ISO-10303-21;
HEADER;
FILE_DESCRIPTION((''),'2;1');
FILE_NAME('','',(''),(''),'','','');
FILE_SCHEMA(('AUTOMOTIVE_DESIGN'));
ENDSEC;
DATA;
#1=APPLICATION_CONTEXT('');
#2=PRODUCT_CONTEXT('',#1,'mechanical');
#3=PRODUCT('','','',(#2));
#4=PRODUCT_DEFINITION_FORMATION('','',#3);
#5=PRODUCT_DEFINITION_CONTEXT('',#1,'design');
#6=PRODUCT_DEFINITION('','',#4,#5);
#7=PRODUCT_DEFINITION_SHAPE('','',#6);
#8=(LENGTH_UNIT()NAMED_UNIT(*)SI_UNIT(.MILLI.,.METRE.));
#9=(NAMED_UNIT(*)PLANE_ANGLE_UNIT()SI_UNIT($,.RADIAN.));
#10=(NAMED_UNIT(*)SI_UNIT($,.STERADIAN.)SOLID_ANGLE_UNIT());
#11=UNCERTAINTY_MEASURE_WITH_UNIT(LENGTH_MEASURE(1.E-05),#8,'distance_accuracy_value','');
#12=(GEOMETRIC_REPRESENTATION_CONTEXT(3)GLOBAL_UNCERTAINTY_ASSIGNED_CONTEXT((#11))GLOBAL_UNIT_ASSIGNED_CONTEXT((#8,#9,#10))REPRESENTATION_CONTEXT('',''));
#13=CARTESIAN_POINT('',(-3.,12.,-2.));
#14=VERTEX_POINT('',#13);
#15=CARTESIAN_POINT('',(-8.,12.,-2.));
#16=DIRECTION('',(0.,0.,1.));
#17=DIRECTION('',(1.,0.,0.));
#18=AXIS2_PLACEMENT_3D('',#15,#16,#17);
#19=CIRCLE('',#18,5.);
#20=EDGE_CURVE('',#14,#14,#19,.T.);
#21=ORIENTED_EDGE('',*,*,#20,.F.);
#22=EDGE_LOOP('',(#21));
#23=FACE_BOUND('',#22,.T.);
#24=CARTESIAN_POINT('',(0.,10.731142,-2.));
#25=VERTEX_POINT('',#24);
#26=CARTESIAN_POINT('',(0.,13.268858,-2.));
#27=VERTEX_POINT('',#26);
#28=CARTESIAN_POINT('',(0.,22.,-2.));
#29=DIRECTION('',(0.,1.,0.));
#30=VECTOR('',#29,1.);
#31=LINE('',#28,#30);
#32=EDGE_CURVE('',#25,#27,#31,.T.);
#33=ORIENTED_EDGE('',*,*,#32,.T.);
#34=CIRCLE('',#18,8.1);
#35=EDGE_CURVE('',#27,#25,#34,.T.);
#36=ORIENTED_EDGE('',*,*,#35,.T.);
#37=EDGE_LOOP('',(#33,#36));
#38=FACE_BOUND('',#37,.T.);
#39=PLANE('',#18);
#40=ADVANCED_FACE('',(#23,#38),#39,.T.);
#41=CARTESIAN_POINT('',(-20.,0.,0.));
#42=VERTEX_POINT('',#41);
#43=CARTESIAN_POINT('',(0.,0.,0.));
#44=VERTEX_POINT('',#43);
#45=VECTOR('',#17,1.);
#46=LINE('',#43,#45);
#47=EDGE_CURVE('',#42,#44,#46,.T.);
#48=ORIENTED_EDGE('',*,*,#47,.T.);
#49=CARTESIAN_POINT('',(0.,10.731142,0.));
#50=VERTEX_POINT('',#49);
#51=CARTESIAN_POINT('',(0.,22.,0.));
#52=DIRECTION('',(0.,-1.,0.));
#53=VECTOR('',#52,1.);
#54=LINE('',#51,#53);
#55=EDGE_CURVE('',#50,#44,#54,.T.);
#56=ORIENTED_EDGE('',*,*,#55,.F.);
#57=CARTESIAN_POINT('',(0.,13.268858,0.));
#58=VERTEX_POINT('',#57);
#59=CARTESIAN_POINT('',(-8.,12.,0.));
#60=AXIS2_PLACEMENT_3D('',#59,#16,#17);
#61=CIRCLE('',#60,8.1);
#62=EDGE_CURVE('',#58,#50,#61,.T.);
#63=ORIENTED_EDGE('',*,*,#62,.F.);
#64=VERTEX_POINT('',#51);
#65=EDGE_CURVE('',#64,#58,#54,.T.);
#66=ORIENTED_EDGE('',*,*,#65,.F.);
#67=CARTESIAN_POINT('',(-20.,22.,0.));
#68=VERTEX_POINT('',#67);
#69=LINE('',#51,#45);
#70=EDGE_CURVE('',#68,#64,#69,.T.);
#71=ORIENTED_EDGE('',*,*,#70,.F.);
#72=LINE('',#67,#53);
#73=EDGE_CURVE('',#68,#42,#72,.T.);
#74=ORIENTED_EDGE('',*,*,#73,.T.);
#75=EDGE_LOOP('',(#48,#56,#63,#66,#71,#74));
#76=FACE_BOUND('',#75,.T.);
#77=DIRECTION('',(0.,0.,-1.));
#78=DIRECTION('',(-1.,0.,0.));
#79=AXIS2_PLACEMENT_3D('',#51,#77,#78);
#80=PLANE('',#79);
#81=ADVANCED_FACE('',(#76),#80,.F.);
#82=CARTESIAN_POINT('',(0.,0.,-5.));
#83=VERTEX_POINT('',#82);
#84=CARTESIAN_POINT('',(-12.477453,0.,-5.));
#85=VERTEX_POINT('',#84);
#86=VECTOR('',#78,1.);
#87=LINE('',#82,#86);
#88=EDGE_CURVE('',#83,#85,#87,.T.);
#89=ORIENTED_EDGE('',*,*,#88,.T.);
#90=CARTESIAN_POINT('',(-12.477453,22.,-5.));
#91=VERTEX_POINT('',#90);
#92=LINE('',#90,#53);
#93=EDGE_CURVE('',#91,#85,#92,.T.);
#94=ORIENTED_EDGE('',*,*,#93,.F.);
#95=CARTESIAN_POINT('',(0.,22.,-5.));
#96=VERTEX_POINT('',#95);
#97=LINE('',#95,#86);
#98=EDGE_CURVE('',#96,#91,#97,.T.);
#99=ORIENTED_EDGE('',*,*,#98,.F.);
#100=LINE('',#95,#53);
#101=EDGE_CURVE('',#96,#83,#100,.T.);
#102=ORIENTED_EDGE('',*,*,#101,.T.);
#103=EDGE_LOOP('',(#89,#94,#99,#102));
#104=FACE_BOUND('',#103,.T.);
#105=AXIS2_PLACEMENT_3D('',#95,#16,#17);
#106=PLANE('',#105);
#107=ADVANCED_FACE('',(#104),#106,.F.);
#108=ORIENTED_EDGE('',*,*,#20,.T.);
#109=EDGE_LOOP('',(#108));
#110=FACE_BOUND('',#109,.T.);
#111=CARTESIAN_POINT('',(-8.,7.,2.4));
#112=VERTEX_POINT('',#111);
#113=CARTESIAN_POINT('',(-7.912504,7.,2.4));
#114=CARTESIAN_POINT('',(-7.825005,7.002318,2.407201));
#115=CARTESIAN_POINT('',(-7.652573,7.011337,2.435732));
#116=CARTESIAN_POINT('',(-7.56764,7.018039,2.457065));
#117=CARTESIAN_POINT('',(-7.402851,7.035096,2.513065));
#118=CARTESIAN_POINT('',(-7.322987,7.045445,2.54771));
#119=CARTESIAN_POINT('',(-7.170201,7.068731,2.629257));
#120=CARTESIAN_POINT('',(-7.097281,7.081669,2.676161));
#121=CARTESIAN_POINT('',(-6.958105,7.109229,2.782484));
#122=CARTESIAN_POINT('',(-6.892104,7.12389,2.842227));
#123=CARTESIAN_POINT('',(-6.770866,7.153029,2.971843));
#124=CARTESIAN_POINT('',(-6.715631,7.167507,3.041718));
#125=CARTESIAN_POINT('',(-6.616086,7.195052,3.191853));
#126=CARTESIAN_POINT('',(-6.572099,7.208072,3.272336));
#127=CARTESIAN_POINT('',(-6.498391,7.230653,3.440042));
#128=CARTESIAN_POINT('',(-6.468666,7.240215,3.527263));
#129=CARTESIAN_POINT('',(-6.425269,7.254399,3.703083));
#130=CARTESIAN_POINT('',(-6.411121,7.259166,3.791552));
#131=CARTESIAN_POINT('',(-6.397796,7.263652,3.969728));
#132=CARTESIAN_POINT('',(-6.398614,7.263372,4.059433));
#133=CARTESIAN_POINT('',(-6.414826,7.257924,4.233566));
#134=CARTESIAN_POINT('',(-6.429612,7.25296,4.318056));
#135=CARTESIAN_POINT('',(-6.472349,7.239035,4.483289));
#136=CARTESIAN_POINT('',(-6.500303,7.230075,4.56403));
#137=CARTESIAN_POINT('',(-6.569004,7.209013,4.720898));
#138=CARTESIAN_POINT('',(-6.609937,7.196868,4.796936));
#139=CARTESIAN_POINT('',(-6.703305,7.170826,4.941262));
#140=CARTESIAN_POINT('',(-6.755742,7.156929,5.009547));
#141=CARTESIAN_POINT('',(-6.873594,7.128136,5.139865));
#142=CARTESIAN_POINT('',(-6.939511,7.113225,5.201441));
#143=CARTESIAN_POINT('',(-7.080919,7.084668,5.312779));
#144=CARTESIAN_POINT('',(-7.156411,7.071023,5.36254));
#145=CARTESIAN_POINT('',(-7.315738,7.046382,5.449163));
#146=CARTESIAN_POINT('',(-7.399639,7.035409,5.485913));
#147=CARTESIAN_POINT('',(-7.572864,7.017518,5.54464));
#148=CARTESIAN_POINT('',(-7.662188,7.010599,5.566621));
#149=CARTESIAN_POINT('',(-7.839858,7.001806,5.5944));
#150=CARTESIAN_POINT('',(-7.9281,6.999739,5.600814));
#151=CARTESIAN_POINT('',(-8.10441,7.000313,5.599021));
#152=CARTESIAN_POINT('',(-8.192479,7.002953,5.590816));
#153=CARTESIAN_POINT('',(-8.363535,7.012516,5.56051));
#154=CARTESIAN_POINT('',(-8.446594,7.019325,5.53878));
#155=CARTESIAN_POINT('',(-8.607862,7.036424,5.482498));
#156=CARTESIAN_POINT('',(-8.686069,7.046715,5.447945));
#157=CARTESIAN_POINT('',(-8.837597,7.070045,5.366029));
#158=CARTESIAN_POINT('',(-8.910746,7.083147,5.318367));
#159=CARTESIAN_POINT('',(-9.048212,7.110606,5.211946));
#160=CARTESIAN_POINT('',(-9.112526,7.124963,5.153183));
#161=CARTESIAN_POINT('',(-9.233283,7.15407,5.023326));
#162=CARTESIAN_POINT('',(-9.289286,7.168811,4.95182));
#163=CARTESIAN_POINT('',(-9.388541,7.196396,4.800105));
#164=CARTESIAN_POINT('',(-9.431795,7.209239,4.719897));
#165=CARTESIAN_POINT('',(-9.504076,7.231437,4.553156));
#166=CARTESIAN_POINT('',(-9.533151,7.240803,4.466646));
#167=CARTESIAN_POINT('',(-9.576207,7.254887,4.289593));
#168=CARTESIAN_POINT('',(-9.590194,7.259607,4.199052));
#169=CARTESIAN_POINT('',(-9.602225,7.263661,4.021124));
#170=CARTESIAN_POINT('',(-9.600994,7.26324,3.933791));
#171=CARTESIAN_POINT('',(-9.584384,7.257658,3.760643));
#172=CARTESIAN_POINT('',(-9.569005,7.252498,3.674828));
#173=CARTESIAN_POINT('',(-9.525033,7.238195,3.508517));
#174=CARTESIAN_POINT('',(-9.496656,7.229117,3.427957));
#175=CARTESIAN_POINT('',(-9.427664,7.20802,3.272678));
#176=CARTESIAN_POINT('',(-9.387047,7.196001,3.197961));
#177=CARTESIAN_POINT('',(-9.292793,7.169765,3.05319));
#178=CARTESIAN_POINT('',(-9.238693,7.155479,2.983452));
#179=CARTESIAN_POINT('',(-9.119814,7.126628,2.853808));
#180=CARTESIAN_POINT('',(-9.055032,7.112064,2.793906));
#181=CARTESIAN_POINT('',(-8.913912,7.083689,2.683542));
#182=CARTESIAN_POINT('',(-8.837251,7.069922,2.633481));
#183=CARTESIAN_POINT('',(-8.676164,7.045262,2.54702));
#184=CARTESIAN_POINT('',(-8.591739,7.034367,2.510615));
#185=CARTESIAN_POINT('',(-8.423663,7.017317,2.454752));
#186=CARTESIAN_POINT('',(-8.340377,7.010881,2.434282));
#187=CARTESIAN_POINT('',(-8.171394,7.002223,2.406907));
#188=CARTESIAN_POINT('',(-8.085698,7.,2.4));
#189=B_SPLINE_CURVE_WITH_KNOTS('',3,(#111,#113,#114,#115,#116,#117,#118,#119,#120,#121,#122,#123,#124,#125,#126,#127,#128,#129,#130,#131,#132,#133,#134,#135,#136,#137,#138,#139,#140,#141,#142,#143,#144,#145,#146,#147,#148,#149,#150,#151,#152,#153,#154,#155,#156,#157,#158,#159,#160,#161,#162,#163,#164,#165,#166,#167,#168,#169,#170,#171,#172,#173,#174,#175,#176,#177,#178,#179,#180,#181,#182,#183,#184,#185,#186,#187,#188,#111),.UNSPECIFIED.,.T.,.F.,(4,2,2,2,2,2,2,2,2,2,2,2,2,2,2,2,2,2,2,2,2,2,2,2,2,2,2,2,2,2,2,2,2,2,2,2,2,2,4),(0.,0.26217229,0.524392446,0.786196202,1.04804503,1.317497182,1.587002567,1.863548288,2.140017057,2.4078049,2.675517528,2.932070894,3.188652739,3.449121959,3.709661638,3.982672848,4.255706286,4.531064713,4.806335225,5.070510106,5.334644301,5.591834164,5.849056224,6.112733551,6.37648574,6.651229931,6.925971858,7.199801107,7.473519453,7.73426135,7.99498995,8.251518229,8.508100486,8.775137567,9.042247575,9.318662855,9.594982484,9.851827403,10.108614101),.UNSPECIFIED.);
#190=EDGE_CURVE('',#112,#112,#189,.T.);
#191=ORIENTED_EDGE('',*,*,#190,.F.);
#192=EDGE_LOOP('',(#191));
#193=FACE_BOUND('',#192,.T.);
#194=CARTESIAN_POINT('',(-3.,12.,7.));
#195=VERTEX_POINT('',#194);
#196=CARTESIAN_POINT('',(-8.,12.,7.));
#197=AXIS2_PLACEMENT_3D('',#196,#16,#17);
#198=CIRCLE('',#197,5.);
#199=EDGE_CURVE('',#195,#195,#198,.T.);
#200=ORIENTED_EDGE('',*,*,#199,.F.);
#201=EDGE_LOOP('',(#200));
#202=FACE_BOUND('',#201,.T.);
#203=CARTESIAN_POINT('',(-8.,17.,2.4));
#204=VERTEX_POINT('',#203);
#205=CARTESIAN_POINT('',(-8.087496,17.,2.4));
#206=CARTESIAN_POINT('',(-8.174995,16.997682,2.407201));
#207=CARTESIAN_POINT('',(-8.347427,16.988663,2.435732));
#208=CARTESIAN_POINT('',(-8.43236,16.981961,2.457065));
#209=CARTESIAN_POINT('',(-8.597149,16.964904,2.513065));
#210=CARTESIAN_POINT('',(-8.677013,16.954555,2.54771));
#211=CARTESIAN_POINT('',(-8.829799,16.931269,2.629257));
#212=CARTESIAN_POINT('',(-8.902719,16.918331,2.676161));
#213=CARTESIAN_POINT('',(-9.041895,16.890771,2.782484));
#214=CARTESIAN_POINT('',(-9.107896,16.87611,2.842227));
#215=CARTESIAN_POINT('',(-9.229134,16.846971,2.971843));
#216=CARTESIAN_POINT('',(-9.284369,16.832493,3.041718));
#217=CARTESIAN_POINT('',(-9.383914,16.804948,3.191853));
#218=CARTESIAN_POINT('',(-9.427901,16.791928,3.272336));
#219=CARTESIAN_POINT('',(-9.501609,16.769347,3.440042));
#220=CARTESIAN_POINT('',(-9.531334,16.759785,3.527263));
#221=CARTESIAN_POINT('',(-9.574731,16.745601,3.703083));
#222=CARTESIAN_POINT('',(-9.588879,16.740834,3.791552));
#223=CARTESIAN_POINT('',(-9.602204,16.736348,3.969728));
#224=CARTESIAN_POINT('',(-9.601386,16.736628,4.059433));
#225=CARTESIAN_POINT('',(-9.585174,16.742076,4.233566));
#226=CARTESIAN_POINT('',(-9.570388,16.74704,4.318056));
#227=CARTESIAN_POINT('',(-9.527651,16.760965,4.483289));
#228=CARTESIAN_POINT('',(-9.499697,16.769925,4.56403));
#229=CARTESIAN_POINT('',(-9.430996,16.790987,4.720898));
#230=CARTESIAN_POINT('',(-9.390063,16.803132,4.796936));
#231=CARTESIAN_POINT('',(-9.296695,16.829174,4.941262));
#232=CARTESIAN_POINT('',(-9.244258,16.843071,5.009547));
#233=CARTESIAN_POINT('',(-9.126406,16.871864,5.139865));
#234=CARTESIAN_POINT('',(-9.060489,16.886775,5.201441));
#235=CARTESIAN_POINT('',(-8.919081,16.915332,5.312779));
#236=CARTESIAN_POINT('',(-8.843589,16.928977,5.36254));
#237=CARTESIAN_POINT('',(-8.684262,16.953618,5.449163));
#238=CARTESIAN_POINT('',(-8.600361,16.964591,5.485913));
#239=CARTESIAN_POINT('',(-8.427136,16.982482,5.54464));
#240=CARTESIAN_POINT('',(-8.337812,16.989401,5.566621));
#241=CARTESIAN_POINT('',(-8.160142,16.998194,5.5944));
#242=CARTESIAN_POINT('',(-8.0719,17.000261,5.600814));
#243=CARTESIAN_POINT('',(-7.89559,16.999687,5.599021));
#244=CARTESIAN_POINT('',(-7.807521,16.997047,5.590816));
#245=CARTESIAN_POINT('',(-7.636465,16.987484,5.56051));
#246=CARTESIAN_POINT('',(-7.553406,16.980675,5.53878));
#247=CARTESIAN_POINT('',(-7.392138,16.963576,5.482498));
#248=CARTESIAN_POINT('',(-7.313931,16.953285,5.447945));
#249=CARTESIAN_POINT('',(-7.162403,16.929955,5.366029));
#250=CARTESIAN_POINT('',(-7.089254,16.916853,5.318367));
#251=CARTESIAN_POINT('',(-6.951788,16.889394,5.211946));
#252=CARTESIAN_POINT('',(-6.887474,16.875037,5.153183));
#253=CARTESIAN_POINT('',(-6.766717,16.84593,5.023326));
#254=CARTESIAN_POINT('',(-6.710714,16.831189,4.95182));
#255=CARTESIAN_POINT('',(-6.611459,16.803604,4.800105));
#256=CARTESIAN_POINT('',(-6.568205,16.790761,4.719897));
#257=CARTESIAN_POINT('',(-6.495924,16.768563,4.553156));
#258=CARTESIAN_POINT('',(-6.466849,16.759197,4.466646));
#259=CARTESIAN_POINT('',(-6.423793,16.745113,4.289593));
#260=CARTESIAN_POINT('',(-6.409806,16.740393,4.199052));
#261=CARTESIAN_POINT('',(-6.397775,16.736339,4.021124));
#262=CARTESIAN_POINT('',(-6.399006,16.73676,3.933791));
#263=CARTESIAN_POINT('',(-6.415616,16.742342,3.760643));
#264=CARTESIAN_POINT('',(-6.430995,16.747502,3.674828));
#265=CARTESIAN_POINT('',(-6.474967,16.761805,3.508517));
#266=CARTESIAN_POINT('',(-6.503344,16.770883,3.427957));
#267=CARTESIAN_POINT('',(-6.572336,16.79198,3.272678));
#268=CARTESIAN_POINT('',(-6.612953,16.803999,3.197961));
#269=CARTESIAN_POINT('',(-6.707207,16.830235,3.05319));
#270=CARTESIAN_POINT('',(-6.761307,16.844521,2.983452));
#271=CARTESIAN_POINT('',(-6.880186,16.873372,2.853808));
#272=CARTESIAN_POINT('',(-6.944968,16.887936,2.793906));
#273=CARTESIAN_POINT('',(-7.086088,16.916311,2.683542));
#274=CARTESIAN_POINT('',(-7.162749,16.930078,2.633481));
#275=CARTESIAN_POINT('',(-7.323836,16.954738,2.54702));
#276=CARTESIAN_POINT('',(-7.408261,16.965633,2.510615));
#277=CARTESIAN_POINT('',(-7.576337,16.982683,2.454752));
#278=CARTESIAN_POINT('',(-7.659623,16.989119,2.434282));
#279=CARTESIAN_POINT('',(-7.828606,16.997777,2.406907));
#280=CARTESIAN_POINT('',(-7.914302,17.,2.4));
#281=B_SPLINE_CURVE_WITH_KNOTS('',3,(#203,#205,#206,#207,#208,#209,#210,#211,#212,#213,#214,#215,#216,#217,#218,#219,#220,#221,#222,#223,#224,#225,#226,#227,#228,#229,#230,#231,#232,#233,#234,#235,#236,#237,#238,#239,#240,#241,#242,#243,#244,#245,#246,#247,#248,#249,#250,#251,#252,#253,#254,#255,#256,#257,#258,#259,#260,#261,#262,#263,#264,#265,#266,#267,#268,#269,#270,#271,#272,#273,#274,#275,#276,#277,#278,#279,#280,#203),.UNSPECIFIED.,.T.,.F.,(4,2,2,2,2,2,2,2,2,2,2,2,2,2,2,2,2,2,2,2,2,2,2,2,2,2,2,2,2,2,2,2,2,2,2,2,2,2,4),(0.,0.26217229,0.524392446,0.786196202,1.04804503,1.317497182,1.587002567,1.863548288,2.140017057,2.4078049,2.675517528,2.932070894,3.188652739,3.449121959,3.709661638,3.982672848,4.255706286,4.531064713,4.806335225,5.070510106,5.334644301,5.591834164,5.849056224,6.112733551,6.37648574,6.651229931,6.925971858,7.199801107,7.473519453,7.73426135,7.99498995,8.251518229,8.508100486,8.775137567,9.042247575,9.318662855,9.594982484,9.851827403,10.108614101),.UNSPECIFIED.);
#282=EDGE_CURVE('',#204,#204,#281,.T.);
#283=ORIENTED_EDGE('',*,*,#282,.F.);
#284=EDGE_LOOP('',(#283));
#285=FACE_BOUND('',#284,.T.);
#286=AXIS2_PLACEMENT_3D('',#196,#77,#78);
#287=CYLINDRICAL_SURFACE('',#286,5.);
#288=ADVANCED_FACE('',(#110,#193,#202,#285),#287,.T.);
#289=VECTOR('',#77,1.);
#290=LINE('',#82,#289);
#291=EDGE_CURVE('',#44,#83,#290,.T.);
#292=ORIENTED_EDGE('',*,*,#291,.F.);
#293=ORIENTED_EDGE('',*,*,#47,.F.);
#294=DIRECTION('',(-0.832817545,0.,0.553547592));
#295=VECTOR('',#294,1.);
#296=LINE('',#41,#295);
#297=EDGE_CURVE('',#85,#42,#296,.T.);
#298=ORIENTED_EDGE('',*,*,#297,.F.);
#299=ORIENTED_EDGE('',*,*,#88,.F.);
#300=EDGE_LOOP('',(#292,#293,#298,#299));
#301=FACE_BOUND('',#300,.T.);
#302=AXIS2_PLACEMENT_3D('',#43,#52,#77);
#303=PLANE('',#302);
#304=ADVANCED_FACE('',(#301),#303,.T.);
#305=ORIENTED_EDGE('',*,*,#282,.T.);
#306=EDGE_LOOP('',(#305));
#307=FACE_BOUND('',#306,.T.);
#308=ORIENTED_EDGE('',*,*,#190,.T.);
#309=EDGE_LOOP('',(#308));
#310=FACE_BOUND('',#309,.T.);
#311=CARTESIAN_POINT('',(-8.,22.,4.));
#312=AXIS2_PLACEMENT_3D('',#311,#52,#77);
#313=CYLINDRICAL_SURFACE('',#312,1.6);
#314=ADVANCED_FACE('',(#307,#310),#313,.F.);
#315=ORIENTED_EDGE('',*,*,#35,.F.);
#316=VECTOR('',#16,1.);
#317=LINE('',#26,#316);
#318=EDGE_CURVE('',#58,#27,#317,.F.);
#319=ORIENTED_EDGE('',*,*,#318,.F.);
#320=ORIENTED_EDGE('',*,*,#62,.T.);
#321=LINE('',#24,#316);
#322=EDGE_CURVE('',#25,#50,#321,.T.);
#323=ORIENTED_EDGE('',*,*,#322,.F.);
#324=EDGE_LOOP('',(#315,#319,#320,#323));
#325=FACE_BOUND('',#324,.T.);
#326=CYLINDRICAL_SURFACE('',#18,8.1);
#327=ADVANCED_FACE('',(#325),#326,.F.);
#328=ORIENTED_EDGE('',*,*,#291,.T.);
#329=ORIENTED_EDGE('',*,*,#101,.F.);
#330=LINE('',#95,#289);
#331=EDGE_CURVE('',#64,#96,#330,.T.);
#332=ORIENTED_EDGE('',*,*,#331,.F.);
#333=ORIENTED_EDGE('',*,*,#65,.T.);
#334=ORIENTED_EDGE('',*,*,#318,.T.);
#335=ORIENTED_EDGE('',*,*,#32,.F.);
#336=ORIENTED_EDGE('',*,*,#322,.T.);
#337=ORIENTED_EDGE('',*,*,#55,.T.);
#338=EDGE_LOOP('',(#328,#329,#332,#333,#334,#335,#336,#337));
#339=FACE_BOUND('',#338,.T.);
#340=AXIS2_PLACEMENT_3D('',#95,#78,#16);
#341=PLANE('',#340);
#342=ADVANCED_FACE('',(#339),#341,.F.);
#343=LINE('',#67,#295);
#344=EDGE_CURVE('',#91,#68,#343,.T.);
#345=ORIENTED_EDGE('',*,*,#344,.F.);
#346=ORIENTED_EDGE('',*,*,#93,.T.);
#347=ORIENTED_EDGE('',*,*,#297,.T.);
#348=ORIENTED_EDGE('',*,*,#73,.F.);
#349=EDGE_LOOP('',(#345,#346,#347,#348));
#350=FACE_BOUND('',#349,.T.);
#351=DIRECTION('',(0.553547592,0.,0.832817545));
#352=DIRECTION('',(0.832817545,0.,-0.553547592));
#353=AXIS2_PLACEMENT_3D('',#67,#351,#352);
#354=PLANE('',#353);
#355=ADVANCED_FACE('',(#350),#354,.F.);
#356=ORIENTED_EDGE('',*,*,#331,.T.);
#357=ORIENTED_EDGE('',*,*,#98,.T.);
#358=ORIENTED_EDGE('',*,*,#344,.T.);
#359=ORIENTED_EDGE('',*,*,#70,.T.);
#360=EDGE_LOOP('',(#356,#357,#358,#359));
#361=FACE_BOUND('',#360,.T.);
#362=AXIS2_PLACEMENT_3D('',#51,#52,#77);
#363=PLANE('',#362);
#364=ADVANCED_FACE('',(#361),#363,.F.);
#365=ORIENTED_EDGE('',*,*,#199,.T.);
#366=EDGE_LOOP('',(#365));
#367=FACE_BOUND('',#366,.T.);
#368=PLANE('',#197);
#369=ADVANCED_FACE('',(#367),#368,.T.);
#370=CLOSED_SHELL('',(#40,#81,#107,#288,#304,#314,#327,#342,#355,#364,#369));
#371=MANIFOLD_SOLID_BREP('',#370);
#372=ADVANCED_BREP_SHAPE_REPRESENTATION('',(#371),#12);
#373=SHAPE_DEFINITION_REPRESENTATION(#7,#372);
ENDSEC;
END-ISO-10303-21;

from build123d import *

# Parameters (mm, degrees)
EXTRUDE_1_DEPTH     = 22
SKETCH_2_R          = 5
EXTRUDE_2_DEPTH     = 7
CUT_EXTRUDE_START   = -2
SKETCH_3_R          = 8.1
SKETCH_3_R_2        = 5
CUT_EXTRUDE_1_DEPTH = 2
SKETCH_4_R          = 1.6
CUT_EXTRUDE_2_DEPTH = 31.545048699


with BuildPart() as part:
    # 草图1 → 凸台-拉伸1 (new body)
    with BuildSketch(Plane(origin=(0, 0, 0), x_dir=(1, 0, 0), z_dir=(0, 1, 0))):
        Polygon((0, 0), (-20, 0), (-12.477453102, 5), (0, 5), align=None)
    extrude(amount=EXTRUDE_1_DEPTH)

    # 草图2 → 凸台-拉伸2 (add)
    with BuildSketch(Plane.XY):
        with Locations((-8, 12)):
            Circle(SKETCH_2_R)
    extrude(amount=EXTRUDE_2_DEPTH)

    # 草图3 → 切除-拉伸1 (cut)
    with BuildSketch(Plane.XY.offset(CUT_EXTRUDE_START)):
        with Locations((-8, 12)):
            Circle(SKETCH_3_R)
        with Locations((-8, 12)):
            Circle(SKETCH_3_R_2, mode=Mode.SUBTRACT)
    extrude(amount=CUT_EXTRUDE_1_DEPTH, mode=Mode.SUBTRACT)

    # 草图4 → 切除-拉伸2 (cut, through all)
    with BuildSketch(Plane(origin=(0, 0, 0), x_dir=(1, 0, 0), z_dir=(0, 1, 0))):
        with Locations(Location((-8, -4, 0), (0, 0, 90))):
            Circle(SKETCH_4_R)
    extrude(amount=CUT_EXTRUDE_2_DEPTH, mode=Mode.SUBTRACT)


solid = part.part
